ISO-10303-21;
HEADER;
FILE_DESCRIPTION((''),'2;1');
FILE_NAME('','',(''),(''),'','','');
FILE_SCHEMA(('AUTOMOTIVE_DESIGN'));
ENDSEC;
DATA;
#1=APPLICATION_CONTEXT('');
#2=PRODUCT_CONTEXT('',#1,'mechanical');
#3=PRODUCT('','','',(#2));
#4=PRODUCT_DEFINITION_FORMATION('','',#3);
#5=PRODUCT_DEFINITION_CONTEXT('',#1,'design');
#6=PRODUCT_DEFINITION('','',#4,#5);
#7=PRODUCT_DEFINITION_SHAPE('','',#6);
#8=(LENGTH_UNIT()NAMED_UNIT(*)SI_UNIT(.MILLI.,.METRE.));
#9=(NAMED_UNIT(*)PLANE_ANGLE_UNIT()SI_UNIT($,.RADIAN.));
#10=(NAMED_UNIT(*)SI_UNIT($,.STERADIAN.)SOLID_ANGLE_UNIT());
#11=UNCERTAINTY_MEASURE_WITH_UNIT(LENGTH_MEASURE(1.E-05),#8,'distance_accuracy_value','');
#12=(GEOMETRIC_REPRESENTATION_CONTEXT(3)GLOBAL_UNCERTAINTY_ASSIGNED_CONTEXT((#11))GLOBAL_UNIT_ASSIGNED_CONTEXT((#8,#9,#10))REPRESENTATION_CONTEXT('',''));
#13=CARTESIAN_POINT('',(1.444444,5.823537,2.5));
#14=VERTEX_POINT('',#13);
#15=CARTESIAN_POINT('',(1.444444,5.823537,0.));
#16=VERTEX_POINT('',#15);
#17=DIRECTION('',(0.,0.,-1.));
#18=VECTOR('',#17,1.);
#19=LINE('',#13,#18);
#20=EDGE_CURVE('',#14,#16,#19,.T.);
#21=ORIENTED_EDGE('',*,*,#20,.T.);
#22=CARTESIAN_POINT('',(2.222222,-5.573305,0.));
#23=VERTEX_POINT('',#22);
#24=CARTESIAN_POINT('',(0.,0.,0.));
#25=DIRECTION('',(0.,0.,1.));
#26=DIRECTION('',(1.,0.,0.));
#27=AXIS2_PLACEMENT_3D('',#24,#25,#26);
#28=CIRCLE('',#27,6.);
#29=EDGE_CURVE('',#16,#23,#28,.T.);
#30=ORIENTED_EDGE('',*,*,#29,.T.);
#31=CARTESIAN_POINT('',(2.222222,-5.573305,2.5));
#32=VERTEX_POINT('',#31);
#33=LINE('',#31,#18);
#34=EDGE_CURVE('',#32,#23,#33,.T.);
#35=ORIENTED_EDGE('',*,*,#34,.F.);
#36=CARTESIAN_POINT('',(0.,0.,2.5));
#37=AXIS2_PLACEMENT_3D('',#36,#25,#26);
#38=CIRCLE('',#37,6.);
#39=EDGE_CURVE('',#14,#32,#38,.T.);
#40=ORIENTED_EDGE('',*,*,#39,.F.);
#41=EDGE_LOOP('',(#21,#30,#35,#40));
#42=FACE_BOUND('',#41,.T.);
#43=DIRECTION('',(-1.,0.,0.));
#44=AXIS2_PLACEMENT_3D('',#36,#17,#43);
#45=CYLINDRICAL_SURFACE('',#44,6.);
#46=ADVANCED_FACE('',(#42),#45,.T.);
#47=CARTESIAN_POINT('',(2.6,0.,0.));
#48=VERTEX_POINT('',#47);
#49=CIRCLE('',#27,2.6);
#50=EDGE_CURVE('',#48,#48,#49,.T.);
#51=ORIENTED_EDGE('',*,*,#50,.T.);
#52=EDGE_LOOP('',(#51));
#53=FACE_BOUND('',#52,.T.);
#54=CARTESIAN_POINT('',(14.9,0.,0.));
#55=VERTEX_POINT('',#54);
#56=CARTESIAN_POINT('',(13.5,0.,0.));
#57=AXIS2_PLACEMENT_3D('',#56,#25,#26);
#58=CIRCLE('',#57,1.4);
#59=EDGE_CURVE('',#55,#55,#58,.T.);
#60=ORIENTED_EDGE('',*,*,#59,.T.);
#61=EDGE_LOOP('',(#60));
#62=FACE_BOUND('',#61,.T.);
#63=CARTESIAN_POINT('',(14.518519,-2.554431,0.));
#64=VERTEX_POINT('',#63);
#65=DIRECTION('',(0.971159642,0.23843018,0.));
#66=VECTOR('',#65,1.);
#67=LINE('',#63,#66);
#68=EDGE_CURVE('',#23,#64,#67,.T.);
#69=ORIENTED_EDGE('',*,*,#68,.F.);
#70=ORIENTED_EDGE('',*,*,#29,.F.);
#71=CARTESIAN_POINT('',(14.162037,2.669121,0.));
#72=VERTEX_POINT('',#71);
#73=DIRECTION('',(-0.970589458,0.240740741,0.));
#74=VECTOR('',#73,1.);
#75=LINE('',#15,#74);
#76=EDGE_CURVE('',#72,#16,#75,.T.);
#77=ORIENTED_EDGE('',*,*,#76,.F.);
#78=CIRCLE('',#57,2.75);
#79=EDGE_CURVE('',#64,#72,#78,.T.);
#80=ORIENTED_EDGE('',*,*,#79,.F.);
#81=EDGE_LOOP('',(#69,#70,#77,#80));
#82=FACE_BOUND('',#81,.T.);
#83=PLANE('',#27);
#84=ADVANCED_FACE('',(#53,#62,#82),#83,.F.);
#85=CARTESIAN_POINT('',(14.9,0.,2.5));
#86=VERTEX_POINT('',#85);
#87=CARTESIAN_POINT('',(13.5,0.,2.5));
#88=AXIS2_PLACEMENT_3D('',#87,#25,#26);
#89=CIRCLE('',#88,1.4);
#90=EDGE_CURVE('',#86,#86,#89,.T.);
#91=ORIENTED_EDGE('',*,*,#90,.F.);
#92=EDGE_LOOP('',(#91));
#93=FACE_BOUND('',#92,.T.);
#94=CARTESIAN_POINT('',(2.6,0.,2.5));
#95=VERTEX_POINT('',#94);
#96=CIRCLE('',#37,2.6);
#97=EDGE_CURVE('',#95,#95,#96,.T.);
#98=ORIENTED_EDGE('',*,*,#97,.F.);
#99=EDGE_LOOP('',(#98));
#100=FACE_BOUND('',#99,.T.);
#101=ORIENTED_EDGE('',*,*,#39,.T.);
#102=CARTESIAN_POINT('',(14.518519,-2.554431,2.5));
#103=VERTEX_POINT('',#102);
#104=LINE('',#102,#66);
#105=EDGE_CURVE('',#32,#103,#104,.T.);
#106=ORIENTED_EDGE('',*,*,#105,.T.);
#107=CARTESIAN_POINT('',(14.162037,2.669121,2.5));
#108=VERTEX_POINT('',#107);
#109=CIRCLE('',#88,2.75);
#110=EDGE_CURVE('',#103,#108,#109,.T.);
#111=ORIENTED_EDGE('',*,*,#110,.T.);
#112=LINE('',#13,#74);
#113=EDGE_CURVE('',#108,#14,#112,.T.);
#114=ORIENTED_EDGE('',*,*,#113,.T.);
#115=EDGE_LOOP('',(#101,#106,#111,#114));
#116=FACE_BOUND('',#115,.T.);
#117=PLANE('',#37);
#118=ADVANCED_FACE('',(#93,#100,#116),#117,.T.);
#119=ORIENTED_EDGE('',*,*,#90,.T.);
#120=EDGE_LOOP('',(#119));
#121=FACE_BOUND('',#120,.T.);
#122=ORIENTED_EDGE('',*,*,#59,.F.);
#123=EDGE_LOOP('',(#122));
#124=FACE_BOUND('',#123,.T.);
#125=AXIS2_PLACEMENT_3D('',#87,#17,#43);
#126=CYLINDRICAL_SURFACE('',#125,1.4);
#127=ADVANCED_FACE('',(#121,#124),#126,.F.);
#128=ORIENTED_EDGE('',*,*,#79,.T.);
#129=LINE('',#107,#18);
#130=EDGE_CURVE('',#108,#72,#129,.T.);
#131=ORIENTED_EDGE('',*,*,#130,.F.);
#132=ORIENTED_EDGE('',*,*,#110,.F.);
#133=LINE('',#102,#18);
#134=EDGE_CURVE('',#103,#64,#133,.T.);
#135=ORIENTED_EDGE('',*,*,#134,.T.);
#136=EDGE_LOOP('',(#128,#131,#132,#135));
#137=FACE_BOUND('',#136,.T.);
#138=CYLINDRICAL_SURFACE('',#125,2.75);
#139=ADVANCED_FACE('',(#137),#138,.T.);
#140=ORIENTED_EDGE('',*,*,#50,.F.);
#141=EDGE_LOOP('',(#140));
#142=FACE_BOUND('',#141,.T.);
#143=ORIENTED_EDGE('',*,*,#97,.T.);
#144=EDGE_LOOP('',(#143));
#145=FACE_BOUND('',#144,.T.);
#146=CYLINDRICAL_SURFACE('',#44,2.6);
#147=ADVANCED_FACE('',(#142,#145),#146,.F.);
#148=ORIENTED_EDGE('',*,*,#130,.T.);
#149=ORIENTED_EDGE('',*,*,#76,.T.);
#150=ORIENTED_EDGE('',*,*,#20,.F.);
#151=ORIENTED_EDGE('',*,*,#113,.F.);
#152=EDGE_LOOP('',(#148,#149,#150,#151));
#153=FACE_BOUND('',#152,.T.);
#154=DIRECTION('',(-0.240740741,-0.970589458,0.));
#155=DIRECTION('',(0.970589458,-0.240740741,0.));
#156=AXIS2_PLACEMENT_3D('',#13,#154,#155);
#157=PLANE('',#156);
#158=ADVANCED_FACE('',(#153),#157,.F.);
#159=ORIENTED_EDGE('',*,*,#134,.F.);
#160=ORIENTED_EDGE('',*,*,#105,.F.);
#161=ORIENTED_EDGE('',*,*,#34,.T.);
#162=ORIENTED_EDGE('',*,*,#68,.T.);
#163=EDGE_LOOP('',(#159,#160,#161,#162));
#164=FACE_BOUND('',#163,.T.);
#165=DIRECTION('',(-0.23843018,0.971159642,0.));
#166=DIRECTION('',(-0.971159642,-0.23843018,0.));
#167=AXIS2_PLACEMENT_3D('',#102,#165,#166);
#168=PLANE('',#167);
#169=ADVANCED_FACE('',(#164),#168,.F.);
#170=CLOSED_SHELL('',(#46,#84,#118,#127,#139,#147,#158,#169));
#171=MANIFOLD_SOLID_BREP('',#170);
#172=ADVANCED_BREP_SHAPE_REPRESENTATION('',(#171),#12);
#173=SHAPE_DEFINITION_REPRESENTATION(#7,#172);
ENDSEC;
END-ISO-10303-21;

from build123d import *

# Parameters (mm, degrees)
SKETCH_1_R      = 2.6
SKETCH_1_R_2    = 1.4
EXTRUDE_1_DEPTH = 2.5


with BuildPart() as part:
    # 草圖1 → 填料-伸長1 (new body)
    with BuildSketch(Plane.XY):
        with BuildLine():
            Line((1.444444444, 5.823536747), (14.162037037, 2.669121009))
            ThreePointArc((14.162037037, 2.669121009), (16.24361838, 0.187238312), (14.518518519, -2.554431449))
            Line((14.518518519, -2.554431449), (2.222222222, -5.57330498))
            ThreePointArc((2.222222222, -5.57330498), (-5.986076465, -0.408519953), (1.444444444, 5.823536747))
        make_face()
        Circle(SKETCH_1_R, mode=Mode.SUBTRACT)
        with Locations((13.5, 0)):
            Circle(SKETCH_1_R_2, mode=Mode.SUBTRACT)
    extrude(amount=EXTRUDE_1_DEPTH)


solid = part.part
